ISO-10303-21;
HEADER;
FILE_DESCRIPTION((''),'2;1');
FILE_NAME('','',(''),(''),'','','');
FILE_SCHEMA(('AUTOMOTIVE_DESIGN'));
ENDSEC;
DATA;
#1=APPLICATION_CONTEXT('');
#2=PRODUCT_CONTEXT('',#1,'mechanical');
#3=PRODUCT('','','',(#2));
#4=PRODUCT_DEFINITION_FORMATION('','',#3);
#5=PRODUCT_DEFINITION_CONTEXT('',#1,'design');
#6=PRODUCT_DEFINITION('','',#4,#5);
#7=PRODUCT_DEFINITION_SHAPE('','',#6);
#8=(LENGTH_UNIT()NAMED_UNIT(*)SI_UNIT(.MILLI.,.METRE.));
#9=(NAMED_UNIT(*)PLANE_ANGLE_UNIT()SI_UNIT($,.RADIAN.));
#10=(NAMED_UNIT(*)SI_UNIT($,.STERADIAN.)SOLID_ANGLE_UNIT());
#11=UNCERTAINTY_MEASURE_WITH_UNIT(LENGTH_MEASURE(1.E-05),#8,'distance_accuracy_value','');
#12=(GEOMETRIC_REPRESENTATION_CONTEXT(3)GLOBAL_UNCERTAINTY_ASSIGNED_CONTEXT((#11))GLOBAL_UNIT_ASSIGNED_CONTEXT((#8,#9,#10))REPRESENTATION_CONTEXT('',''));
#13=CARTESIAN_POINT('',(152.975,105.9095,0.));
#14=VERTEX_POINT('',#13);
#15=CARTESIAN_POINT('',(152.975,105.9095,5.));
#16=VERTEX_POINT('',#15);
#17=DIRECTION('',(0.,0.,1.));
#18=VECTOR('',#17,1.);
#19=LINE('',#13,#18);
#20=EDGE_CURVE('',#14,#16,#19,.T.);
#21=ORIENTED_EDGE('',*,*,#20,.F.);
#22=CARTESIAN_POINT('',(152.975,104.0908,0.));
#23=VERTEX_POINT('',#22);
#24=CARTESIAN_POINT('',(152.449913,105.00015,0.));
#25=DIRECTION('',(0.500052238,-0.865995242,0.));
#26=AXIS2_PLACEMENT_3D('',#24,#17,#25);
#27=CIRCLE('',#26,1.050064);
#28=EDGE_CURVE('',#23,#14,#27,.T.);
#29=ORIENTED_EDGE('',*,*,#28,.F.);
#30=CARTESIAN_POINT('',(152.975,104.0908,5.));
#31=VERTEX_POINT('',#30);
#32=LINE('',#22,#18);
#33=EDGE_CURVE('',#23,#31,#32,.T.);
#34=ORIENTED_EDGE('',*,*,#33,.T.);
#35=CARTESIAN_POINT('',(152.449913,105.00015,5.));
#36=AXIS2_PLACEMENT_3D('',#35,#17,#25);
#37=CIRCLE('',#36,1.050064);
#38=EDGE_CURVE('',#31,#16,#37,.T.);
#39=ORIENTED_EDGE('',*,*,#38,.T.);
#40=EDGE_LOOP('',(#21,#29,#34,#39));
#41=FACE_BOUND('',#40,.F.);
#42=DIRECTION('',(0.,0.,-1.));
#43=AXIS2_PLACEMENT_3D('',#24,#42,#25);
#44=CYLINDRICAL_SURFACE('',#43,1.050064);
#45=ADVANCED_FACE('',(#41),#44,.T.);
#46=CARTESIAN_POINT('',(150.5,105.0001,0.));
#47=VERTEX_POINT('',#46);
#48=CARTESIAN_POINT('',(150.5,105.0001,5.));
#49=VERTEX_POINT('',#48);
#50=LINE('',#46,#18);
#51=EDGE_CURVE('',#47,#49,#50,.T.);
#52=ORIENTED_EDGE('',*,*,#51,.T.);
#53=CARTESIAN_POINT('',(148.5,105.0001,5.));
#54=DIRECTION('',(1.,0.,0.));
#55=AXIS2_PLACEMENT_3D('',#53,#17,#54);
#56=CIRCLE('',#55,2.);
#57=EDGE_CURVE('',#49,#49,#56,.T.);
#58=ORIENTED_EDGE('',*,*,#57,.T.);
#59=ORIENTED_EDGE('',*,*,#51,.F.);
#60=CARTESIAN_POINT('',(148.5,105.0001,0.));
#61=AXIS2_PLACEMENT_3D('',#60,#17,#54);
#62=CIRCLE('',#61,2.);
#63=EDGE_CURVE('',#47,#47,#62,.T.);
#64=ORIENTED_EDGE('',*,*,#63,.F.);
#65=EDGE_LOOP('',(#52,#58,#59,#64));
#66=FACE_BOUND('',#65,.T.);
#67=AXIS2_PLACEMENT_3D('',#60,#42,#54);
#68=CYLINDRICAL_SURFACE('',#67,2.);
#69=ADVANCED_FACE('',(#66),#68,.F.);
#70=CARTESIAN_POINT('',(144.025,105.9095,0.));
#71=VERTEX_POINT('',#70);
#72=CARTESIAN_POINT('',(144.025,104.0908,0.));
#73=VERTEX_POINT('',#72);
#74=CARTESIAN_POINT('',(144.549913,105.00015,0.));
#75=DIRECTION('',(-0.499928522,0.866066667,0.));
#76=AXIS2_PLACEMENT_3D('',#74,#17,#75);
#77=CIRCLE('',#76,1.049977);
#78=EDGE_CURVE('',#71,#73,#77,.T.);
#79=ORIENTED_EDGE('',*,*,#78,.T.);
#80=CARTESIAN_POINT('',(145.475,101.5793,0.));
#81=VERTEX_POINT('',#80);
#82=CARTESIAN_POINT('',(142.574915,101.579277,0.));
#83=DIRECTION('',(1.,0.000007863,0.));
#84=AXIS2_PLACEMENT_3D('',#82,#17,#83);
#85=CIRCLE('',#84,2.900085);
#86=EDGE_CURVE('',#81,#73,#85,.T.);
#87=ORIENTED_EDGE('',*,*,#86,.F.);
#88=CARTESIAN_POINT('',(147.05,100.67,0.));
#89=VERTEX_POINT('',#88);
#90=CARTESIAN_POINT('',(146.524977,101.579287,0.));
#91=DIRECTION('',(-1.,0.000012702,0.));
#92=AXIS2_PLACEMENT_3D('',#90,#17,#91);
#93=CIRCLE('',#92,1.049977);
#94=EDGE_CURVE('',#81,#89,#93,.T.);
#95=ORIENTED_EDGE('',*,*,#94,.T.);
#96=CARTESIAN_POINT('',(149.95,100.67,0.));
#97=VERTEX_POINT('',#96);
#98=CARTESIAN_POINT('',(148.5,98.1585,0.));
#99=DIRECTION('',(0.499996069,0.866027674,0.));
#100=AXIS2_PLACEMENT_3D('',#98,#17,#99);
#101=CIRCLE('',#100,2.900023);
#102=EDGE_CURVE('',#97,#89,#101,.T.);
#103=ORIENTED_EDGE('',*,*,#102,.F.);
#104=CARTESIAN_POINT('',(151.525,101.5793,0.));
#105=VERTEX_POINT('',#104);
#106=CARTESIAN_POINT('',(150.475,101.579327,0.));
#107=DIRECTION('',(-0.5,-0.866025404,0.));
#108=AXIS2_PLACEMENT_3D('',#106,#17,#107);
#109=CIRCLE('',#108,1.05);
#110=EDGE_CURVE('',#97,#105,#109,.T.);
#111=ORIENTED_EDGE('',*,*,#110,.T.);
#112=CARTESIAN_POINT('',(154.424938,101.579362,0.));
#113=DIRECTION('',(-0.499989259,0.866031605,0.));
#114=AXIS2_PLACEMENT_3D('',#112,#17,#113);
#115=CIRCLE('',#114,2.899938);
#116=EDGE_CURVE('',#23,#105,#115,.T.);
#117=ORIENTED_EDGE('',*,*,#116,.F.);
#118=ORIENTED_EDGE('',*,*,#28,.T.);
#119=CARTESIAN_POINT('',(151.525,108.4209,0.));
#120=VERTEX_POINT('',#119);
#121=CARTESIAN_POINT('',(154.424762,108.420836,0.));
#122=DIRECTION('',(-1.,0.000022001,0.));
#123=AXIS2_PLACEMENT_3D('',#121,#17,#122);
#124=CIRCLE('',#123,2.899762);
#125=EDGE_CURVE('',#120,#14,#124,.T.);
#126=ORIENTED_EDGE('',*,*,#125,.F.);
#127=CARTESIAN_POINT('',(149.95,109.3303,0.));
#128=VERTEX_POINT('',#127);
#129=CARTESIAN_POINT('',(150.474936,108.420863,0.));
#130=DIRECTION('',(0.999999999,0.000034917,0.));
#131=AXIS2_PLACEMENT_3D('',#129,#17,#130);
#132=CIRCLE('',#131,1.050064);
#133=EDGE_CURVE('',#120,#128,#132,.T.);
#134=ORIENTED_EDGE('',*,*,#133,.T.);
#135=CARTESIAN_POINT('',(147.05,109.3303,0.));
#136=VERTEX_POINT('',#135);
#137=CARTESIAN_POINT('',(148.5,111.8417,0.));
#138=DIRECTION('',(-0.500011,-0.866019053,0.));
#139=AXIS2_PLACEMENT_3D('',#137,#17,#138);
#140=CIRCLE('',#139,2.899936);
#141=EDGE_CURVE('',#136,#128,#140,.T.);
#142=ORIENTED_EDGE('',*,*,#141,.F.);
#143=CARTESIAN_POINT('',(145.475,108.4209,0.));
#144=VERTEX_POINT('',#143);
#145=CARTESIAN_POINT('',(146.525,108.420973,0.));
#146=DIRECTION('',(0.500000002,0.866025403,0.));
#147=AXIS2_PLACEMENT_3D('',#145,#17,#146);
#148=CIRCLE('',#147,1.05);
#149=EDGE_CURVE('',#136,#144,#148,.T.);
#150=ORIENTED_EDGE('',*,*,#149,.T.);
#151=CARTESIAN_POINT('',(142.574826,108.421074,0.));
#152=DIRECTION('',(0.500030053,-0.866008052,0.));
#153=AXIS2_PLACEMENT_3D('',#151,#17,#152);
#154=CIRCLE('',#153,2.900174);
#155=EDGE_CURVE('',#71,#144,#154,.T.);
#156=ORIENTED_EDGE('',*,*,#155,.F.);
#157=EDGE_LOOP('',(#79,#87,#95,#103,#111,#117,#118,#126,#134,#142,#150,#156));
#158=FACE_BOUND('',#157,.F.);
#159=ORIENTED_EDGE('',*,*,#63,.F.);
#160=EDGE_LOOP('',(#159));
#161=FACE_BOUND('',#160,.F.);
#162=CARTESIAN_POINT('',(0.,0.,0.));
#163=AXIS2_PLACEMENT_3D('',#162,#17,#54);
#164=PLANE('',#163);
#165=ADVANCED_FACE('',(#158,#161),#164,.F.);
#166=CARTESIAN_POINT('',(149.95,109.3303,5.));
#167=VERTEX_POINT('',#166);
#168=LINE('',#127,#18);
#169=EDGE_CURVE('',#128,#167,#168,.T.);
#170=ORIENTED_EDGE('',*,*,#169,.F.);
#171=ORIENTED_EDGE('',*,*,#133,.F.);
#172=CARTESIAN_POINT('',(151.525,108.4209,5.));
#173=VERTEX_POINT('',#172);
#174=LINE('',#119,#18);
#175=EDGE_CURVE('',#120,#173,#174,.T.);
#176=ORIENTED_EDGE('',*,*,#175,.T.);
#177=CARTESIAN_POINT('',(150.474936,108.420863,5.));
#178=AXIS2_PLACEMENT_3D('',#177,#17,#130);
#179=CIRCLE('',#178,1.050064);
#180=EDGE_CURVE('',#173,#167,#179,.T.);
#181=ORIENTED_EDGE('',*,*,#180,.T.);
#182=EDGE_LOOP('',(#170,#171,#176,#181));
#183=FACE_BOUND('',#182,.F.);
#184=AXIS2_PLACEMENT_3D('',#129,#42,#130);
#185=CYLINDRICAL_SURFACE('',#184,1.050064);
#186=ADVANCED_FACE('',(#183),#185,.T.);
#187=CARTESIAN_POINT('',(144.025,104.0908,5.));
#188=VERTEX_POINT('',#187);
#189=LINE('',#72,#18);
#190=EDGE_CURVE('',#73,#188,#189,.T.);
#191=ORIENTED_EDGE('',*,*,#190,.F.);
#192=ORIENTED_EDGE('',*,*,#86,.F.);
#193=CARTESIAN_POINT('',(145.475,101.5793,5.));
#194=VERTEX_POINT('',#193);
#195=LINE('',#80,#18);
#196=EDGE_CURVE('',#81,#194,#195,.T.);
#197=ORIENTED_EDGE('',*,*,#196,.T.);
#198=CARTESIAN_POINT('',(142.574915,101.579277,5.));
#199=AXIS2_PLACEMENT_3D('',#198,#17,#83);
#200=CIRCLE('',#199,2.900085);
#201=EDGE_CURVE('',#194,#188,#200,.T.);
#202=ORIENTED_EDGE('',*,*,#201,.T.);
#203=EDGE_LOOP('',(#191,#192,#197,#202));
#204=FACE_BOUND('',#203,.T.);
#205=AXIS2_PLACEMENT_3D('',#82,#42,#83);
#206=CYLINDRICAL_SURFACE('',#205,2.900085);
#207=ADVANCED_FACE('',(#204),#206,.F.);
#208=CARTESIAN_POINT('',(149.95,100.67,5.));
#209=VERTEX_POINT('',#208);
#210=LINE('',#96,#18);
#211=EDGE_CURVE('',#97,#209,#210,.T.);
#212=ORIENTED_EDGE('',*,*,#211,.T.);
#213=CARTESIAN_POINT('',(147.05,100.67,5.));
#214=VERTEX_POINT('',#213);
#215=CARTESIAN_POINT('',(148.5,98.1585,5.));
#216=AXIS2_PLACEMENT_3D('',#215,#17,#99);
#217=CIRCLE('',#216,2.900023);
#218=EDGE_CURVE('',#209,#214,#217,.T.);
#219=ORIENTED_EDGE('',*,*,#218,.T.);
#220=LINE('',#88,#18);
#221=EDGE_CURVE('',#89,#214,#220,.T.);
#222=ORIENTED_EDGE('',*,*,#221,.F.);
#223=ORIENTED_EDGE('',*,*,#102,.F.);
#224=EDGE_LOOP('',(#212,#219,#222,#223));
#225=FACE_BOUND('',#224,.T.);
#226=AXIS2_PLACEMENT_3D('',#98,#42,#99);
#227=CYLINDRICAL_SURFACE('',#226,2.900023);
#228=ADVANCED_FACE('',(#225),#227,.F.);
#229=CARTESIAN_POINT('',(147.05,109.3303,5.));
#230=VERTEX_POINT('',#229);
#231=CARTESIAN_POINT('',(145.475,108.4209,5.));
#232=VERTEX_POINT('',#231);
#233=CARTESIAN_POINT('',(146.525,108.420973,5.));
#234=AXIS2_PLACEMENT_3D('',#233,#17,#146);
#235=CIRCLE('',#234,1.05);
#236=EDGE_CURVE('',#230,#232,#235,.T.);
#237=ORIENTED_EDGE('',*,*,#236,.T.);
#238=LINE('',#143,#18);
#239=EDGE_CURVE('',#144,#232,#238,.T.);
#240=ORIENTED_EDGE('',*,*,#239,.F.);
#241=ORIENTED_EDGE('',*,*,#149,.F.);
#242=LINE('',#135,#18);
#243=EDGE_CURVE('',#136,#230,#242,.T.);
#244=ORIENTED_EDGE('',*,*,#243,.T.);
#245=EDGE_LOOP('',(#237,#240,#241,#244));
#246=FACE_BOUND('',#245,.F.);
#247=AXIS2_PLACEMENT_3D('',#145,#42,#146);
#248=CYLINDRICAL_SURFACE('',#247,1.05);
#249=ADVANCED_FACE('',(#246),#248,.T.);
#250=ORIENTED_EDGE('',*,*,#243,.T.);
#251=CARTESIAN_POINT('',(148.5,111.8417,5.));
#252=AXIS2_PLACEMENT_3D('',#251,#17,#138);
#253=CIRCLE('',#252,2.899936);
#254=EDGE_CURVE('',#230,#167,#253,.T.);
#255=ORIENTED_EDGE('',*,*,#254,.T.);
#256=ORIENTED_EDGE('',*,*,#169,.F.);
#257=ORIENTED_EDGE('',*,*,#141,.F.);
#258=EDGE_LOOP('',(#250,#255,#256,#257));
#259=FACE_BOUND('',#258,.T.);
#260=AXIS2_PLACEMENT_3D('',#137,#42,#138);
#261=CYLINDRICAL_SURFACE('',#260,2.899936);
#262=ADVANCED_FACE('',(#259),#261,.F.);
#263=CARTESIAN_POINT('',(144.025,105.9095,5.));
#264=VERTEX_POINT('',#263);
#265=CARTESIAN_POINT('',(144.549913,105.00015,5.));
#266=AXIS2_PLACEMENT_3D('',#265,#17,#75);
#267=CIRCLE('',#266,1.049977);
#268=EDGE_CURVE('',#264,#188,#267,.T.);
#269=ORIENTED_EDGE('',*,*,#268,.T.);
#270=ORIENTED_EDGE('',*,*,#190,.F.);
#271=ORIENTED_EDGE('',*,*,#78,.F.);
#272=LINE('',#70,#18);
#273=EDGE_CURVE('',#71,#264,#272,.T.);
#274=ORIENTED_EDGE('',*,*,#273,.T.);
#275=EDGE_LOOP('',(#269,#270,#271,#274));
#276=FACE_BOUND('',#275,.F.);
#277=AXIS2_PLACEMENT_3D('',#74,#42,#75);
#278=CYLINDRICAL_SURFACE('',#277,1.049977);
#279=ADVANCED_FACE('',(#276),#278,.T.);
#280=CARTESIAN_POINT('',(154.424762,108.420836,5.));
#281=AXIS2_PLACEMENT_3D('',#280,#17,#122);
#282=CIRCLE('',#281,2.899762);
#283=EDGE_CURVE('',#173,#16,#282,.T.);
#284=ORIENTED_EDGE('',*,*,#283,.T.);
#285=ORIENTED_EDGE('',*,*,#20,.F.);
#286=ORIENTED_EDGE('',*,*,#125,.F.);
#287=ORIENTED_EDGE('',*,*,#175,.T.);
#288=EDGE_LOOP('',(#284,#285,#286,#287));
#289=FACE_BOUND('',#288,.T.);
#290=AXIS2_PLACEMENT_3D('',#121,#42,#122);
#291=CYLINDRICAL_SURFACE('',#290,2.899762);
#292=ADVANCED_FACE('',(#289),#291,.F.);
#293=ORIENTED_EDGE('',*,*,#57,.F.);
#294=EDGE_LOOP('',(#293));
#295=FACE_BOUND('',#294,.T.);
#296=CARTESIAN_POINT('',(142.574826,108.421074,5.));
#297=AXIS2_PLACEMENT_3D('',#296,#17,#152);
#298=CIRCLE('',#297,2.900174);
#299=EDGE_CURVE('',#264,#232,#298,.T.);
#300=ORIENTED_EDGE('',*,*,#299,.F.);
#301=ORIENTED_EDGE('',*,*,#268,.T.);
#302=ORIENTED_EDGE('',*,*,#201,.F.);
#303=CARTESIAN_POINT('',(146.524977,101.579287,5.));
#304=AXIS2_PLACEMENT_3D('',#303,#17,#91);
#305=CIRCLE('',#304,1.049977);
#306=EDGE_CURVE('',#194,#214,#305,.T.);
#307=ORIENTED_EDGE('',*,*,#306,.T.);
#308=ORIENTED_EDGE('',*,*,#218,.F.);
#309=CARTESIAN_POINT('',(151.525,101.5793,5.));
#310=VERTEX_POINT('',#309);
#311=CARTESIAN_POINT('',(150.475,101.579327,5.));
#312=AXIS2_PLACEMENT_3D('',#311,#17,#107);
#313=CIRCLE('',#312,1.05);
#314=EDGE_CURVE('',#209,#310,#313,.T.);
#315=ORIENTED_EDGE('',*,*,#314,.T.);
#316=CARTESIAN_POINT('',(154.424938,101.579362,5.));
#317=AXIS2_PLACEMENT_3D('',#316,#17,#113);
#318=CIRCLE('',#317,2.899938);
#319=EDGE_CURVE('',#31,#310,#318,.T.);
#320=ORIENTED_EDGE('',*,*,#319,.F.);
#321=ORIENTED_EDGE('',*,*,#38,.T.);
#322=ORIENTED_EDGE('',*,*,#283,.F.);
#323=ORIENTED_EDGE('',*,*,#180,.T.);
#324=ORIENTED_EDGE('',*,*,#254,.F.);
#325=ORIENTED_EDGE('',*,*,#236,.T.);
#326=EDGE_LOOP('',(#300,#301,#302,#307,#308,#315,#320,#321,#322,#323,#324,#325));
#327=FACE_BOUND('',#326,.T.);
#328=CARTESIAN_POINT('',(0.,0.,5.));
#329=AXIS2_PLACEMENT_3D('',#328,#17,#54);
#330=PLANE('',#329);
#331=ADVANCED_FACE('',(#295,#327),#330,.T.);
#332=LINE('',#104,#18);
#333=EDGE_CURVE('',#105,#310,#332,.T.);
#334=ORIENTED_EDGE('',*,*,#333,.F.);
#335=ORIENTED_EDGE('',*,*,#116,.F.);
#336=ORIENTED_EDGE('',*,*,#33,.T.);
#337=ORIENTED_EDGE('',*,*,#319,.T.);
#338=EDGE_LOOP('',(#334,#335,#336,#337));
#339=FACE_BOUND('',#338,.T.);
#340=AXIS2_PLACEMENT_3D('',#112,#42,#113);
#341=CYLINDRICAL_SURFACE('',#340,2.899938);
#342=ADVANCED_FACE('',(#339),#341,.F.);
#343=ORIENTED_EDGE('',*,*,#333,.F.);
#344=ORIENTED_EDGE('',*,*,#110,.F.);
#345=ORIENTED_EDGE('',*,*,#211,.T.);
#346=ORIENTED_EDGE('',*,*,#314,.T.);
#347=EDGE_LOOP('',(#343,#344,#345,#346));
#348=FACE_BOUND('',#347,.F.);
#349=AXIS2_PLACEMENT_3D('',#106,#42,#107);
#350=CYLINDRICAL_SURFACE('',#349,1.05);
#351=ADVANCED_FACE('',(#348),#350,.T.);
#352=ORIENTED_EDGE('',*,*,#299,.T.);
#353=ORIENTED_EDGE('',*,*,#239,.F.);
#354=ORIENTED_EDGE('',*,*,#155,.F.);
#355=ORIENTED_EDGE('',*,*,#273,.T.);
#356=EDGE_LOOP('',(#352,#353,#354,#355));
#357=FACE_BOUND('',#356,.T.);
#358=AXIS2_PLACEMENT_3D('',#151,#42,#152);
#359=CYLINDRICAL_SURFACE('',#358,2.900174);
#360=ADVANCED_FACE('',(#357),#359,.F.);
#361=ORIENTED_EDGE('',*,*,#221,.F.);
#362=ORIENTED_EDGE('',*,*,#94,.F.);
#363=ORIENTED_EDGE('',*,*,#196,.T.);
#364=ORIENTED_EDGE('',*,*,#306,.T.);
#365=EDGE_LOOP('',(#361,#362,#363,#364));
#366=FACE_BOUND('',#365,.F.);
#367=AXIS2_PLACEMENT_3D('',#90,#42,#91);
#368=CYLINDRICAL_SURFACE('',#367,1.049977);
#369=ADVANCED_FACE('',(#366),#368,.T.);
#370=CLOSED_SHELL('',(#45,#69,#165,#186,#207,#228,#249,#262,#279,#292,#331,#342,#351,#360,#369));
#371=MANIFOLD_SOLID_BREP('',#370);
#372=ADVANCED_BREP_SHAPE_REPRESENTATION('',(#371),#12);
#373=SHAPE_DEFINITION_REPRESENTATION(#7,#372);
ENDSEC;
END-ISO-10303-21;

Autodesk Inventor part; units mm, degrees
ref_plane "YZ Plane" through (0, 0, 0) normal (1, 0, 0) x (0, 1, 0)
ref_plane "XZ Plane" through (0, 0, 0) normal (0, 1, 0) x (-1, 0, 0)
ref_plane "XY Plane" through (0, 0, 0) normal (0, 0, 1) x (1, 0, 0)
sketch "スケッチ1" plane through (0, 0, 0) normal (0, 0, 1) x (1, 0, 0)
  arc A0 (144.025, 105.9095) -> (145.475, 108.4209) centre (142.575, 108.4209) ccw
  arc A1 (145.475, 101.5793) -> (144.025, 104.0908) centre (142.575, 101.5793) ccw
  line L0 (146, 100.67) -> (143.5, 105.0001) construction
  arc A2 (144.025, 105.9095) -> (144.025, 104.0908) centre (144.55, 105.0001) ccw
  line L1 (143.5, 105.0001) -> (146, 109.3303) construction
  circle A3 centre (148.5, 105.0001) radius 5 construction
  arc A4 (149.95, 100.67) -> (147.05, 100.67) centre (148.5, 98.1585) ccw
  line L2 (151, 100.67) -> (146, 100.67) construction
  arc A5 (145.475, 101.5793) -> (147.05, 100.67) centre (146.525, 101.5793) ccw
  arc A6 (149.95, 100.67) -> (151.525, 101.5793) centre (150.475, 101.5793) ccw
  arc A7 (152.975, 104.0908) -> (151.525, 101.5793) centre (154.425, 101.5793) ccw
  line L3 (153.5, 105.0001) -> (151, 100.67) construction
  arc A8 (152.975, 104.0908) -> (152.975, 105.9095) centre (152.45, 105.0001) ccw
  circle A9 centre (148.5, 105.0001) radius 2
  line L4 (151, 109.3303) -> (153.5, 105.0001) construction
  arc A10 (151.525, 108.4209) -> (152.975, 105.9095) centre (154.425, 108.4209) ccw
  arc A11 (151.525, 108.4209) -> (149.95, 109.3303) centre (150.475, 108.4209) ccw
  line L5 (146, 109.3303) -> (151, 109.3303) construction
  arc A12 (147.05, 109.3303) -> (149.95, 109.3303) centre (148.5, 111.8417) ccw
  arc A13 (147.05, 109.3303) -> (145.475, 108.4209) centre (146.525, 108.4209) ccw
  circle A14 centre (148.5, 105.0001) radius 6 construction
  point P0 (0, 0)
  point P1 (146, 100.67)
  point P2 (151, 100.67)
  point P3 (153.5, 105.0001)
  point P4 (145.475, 101.5793)
  point P5 (151.525, 101.5793)
  point P6 (152.975, 104.0908)
  point P7 (152.975, 105.9095)
  point P8 (151.525, 108.4209)
  point P9 (145.475, 108.4209)
  point P10 (144.025, 105.9095)
  point P11 (144.025, 104.0908)
  dimension "d4" = 10
  dimension "d5" = 360
  dimension "d6" = 360
  dimension "d7" = 1.05
  dimension "d8" = 4
  dimension "d9" = 12
extrude "押し出し1" add sketch "スケッチ1" along normal blind 5
properties part number "3ギア接続部" material "アルミニウム 2014-T4"
